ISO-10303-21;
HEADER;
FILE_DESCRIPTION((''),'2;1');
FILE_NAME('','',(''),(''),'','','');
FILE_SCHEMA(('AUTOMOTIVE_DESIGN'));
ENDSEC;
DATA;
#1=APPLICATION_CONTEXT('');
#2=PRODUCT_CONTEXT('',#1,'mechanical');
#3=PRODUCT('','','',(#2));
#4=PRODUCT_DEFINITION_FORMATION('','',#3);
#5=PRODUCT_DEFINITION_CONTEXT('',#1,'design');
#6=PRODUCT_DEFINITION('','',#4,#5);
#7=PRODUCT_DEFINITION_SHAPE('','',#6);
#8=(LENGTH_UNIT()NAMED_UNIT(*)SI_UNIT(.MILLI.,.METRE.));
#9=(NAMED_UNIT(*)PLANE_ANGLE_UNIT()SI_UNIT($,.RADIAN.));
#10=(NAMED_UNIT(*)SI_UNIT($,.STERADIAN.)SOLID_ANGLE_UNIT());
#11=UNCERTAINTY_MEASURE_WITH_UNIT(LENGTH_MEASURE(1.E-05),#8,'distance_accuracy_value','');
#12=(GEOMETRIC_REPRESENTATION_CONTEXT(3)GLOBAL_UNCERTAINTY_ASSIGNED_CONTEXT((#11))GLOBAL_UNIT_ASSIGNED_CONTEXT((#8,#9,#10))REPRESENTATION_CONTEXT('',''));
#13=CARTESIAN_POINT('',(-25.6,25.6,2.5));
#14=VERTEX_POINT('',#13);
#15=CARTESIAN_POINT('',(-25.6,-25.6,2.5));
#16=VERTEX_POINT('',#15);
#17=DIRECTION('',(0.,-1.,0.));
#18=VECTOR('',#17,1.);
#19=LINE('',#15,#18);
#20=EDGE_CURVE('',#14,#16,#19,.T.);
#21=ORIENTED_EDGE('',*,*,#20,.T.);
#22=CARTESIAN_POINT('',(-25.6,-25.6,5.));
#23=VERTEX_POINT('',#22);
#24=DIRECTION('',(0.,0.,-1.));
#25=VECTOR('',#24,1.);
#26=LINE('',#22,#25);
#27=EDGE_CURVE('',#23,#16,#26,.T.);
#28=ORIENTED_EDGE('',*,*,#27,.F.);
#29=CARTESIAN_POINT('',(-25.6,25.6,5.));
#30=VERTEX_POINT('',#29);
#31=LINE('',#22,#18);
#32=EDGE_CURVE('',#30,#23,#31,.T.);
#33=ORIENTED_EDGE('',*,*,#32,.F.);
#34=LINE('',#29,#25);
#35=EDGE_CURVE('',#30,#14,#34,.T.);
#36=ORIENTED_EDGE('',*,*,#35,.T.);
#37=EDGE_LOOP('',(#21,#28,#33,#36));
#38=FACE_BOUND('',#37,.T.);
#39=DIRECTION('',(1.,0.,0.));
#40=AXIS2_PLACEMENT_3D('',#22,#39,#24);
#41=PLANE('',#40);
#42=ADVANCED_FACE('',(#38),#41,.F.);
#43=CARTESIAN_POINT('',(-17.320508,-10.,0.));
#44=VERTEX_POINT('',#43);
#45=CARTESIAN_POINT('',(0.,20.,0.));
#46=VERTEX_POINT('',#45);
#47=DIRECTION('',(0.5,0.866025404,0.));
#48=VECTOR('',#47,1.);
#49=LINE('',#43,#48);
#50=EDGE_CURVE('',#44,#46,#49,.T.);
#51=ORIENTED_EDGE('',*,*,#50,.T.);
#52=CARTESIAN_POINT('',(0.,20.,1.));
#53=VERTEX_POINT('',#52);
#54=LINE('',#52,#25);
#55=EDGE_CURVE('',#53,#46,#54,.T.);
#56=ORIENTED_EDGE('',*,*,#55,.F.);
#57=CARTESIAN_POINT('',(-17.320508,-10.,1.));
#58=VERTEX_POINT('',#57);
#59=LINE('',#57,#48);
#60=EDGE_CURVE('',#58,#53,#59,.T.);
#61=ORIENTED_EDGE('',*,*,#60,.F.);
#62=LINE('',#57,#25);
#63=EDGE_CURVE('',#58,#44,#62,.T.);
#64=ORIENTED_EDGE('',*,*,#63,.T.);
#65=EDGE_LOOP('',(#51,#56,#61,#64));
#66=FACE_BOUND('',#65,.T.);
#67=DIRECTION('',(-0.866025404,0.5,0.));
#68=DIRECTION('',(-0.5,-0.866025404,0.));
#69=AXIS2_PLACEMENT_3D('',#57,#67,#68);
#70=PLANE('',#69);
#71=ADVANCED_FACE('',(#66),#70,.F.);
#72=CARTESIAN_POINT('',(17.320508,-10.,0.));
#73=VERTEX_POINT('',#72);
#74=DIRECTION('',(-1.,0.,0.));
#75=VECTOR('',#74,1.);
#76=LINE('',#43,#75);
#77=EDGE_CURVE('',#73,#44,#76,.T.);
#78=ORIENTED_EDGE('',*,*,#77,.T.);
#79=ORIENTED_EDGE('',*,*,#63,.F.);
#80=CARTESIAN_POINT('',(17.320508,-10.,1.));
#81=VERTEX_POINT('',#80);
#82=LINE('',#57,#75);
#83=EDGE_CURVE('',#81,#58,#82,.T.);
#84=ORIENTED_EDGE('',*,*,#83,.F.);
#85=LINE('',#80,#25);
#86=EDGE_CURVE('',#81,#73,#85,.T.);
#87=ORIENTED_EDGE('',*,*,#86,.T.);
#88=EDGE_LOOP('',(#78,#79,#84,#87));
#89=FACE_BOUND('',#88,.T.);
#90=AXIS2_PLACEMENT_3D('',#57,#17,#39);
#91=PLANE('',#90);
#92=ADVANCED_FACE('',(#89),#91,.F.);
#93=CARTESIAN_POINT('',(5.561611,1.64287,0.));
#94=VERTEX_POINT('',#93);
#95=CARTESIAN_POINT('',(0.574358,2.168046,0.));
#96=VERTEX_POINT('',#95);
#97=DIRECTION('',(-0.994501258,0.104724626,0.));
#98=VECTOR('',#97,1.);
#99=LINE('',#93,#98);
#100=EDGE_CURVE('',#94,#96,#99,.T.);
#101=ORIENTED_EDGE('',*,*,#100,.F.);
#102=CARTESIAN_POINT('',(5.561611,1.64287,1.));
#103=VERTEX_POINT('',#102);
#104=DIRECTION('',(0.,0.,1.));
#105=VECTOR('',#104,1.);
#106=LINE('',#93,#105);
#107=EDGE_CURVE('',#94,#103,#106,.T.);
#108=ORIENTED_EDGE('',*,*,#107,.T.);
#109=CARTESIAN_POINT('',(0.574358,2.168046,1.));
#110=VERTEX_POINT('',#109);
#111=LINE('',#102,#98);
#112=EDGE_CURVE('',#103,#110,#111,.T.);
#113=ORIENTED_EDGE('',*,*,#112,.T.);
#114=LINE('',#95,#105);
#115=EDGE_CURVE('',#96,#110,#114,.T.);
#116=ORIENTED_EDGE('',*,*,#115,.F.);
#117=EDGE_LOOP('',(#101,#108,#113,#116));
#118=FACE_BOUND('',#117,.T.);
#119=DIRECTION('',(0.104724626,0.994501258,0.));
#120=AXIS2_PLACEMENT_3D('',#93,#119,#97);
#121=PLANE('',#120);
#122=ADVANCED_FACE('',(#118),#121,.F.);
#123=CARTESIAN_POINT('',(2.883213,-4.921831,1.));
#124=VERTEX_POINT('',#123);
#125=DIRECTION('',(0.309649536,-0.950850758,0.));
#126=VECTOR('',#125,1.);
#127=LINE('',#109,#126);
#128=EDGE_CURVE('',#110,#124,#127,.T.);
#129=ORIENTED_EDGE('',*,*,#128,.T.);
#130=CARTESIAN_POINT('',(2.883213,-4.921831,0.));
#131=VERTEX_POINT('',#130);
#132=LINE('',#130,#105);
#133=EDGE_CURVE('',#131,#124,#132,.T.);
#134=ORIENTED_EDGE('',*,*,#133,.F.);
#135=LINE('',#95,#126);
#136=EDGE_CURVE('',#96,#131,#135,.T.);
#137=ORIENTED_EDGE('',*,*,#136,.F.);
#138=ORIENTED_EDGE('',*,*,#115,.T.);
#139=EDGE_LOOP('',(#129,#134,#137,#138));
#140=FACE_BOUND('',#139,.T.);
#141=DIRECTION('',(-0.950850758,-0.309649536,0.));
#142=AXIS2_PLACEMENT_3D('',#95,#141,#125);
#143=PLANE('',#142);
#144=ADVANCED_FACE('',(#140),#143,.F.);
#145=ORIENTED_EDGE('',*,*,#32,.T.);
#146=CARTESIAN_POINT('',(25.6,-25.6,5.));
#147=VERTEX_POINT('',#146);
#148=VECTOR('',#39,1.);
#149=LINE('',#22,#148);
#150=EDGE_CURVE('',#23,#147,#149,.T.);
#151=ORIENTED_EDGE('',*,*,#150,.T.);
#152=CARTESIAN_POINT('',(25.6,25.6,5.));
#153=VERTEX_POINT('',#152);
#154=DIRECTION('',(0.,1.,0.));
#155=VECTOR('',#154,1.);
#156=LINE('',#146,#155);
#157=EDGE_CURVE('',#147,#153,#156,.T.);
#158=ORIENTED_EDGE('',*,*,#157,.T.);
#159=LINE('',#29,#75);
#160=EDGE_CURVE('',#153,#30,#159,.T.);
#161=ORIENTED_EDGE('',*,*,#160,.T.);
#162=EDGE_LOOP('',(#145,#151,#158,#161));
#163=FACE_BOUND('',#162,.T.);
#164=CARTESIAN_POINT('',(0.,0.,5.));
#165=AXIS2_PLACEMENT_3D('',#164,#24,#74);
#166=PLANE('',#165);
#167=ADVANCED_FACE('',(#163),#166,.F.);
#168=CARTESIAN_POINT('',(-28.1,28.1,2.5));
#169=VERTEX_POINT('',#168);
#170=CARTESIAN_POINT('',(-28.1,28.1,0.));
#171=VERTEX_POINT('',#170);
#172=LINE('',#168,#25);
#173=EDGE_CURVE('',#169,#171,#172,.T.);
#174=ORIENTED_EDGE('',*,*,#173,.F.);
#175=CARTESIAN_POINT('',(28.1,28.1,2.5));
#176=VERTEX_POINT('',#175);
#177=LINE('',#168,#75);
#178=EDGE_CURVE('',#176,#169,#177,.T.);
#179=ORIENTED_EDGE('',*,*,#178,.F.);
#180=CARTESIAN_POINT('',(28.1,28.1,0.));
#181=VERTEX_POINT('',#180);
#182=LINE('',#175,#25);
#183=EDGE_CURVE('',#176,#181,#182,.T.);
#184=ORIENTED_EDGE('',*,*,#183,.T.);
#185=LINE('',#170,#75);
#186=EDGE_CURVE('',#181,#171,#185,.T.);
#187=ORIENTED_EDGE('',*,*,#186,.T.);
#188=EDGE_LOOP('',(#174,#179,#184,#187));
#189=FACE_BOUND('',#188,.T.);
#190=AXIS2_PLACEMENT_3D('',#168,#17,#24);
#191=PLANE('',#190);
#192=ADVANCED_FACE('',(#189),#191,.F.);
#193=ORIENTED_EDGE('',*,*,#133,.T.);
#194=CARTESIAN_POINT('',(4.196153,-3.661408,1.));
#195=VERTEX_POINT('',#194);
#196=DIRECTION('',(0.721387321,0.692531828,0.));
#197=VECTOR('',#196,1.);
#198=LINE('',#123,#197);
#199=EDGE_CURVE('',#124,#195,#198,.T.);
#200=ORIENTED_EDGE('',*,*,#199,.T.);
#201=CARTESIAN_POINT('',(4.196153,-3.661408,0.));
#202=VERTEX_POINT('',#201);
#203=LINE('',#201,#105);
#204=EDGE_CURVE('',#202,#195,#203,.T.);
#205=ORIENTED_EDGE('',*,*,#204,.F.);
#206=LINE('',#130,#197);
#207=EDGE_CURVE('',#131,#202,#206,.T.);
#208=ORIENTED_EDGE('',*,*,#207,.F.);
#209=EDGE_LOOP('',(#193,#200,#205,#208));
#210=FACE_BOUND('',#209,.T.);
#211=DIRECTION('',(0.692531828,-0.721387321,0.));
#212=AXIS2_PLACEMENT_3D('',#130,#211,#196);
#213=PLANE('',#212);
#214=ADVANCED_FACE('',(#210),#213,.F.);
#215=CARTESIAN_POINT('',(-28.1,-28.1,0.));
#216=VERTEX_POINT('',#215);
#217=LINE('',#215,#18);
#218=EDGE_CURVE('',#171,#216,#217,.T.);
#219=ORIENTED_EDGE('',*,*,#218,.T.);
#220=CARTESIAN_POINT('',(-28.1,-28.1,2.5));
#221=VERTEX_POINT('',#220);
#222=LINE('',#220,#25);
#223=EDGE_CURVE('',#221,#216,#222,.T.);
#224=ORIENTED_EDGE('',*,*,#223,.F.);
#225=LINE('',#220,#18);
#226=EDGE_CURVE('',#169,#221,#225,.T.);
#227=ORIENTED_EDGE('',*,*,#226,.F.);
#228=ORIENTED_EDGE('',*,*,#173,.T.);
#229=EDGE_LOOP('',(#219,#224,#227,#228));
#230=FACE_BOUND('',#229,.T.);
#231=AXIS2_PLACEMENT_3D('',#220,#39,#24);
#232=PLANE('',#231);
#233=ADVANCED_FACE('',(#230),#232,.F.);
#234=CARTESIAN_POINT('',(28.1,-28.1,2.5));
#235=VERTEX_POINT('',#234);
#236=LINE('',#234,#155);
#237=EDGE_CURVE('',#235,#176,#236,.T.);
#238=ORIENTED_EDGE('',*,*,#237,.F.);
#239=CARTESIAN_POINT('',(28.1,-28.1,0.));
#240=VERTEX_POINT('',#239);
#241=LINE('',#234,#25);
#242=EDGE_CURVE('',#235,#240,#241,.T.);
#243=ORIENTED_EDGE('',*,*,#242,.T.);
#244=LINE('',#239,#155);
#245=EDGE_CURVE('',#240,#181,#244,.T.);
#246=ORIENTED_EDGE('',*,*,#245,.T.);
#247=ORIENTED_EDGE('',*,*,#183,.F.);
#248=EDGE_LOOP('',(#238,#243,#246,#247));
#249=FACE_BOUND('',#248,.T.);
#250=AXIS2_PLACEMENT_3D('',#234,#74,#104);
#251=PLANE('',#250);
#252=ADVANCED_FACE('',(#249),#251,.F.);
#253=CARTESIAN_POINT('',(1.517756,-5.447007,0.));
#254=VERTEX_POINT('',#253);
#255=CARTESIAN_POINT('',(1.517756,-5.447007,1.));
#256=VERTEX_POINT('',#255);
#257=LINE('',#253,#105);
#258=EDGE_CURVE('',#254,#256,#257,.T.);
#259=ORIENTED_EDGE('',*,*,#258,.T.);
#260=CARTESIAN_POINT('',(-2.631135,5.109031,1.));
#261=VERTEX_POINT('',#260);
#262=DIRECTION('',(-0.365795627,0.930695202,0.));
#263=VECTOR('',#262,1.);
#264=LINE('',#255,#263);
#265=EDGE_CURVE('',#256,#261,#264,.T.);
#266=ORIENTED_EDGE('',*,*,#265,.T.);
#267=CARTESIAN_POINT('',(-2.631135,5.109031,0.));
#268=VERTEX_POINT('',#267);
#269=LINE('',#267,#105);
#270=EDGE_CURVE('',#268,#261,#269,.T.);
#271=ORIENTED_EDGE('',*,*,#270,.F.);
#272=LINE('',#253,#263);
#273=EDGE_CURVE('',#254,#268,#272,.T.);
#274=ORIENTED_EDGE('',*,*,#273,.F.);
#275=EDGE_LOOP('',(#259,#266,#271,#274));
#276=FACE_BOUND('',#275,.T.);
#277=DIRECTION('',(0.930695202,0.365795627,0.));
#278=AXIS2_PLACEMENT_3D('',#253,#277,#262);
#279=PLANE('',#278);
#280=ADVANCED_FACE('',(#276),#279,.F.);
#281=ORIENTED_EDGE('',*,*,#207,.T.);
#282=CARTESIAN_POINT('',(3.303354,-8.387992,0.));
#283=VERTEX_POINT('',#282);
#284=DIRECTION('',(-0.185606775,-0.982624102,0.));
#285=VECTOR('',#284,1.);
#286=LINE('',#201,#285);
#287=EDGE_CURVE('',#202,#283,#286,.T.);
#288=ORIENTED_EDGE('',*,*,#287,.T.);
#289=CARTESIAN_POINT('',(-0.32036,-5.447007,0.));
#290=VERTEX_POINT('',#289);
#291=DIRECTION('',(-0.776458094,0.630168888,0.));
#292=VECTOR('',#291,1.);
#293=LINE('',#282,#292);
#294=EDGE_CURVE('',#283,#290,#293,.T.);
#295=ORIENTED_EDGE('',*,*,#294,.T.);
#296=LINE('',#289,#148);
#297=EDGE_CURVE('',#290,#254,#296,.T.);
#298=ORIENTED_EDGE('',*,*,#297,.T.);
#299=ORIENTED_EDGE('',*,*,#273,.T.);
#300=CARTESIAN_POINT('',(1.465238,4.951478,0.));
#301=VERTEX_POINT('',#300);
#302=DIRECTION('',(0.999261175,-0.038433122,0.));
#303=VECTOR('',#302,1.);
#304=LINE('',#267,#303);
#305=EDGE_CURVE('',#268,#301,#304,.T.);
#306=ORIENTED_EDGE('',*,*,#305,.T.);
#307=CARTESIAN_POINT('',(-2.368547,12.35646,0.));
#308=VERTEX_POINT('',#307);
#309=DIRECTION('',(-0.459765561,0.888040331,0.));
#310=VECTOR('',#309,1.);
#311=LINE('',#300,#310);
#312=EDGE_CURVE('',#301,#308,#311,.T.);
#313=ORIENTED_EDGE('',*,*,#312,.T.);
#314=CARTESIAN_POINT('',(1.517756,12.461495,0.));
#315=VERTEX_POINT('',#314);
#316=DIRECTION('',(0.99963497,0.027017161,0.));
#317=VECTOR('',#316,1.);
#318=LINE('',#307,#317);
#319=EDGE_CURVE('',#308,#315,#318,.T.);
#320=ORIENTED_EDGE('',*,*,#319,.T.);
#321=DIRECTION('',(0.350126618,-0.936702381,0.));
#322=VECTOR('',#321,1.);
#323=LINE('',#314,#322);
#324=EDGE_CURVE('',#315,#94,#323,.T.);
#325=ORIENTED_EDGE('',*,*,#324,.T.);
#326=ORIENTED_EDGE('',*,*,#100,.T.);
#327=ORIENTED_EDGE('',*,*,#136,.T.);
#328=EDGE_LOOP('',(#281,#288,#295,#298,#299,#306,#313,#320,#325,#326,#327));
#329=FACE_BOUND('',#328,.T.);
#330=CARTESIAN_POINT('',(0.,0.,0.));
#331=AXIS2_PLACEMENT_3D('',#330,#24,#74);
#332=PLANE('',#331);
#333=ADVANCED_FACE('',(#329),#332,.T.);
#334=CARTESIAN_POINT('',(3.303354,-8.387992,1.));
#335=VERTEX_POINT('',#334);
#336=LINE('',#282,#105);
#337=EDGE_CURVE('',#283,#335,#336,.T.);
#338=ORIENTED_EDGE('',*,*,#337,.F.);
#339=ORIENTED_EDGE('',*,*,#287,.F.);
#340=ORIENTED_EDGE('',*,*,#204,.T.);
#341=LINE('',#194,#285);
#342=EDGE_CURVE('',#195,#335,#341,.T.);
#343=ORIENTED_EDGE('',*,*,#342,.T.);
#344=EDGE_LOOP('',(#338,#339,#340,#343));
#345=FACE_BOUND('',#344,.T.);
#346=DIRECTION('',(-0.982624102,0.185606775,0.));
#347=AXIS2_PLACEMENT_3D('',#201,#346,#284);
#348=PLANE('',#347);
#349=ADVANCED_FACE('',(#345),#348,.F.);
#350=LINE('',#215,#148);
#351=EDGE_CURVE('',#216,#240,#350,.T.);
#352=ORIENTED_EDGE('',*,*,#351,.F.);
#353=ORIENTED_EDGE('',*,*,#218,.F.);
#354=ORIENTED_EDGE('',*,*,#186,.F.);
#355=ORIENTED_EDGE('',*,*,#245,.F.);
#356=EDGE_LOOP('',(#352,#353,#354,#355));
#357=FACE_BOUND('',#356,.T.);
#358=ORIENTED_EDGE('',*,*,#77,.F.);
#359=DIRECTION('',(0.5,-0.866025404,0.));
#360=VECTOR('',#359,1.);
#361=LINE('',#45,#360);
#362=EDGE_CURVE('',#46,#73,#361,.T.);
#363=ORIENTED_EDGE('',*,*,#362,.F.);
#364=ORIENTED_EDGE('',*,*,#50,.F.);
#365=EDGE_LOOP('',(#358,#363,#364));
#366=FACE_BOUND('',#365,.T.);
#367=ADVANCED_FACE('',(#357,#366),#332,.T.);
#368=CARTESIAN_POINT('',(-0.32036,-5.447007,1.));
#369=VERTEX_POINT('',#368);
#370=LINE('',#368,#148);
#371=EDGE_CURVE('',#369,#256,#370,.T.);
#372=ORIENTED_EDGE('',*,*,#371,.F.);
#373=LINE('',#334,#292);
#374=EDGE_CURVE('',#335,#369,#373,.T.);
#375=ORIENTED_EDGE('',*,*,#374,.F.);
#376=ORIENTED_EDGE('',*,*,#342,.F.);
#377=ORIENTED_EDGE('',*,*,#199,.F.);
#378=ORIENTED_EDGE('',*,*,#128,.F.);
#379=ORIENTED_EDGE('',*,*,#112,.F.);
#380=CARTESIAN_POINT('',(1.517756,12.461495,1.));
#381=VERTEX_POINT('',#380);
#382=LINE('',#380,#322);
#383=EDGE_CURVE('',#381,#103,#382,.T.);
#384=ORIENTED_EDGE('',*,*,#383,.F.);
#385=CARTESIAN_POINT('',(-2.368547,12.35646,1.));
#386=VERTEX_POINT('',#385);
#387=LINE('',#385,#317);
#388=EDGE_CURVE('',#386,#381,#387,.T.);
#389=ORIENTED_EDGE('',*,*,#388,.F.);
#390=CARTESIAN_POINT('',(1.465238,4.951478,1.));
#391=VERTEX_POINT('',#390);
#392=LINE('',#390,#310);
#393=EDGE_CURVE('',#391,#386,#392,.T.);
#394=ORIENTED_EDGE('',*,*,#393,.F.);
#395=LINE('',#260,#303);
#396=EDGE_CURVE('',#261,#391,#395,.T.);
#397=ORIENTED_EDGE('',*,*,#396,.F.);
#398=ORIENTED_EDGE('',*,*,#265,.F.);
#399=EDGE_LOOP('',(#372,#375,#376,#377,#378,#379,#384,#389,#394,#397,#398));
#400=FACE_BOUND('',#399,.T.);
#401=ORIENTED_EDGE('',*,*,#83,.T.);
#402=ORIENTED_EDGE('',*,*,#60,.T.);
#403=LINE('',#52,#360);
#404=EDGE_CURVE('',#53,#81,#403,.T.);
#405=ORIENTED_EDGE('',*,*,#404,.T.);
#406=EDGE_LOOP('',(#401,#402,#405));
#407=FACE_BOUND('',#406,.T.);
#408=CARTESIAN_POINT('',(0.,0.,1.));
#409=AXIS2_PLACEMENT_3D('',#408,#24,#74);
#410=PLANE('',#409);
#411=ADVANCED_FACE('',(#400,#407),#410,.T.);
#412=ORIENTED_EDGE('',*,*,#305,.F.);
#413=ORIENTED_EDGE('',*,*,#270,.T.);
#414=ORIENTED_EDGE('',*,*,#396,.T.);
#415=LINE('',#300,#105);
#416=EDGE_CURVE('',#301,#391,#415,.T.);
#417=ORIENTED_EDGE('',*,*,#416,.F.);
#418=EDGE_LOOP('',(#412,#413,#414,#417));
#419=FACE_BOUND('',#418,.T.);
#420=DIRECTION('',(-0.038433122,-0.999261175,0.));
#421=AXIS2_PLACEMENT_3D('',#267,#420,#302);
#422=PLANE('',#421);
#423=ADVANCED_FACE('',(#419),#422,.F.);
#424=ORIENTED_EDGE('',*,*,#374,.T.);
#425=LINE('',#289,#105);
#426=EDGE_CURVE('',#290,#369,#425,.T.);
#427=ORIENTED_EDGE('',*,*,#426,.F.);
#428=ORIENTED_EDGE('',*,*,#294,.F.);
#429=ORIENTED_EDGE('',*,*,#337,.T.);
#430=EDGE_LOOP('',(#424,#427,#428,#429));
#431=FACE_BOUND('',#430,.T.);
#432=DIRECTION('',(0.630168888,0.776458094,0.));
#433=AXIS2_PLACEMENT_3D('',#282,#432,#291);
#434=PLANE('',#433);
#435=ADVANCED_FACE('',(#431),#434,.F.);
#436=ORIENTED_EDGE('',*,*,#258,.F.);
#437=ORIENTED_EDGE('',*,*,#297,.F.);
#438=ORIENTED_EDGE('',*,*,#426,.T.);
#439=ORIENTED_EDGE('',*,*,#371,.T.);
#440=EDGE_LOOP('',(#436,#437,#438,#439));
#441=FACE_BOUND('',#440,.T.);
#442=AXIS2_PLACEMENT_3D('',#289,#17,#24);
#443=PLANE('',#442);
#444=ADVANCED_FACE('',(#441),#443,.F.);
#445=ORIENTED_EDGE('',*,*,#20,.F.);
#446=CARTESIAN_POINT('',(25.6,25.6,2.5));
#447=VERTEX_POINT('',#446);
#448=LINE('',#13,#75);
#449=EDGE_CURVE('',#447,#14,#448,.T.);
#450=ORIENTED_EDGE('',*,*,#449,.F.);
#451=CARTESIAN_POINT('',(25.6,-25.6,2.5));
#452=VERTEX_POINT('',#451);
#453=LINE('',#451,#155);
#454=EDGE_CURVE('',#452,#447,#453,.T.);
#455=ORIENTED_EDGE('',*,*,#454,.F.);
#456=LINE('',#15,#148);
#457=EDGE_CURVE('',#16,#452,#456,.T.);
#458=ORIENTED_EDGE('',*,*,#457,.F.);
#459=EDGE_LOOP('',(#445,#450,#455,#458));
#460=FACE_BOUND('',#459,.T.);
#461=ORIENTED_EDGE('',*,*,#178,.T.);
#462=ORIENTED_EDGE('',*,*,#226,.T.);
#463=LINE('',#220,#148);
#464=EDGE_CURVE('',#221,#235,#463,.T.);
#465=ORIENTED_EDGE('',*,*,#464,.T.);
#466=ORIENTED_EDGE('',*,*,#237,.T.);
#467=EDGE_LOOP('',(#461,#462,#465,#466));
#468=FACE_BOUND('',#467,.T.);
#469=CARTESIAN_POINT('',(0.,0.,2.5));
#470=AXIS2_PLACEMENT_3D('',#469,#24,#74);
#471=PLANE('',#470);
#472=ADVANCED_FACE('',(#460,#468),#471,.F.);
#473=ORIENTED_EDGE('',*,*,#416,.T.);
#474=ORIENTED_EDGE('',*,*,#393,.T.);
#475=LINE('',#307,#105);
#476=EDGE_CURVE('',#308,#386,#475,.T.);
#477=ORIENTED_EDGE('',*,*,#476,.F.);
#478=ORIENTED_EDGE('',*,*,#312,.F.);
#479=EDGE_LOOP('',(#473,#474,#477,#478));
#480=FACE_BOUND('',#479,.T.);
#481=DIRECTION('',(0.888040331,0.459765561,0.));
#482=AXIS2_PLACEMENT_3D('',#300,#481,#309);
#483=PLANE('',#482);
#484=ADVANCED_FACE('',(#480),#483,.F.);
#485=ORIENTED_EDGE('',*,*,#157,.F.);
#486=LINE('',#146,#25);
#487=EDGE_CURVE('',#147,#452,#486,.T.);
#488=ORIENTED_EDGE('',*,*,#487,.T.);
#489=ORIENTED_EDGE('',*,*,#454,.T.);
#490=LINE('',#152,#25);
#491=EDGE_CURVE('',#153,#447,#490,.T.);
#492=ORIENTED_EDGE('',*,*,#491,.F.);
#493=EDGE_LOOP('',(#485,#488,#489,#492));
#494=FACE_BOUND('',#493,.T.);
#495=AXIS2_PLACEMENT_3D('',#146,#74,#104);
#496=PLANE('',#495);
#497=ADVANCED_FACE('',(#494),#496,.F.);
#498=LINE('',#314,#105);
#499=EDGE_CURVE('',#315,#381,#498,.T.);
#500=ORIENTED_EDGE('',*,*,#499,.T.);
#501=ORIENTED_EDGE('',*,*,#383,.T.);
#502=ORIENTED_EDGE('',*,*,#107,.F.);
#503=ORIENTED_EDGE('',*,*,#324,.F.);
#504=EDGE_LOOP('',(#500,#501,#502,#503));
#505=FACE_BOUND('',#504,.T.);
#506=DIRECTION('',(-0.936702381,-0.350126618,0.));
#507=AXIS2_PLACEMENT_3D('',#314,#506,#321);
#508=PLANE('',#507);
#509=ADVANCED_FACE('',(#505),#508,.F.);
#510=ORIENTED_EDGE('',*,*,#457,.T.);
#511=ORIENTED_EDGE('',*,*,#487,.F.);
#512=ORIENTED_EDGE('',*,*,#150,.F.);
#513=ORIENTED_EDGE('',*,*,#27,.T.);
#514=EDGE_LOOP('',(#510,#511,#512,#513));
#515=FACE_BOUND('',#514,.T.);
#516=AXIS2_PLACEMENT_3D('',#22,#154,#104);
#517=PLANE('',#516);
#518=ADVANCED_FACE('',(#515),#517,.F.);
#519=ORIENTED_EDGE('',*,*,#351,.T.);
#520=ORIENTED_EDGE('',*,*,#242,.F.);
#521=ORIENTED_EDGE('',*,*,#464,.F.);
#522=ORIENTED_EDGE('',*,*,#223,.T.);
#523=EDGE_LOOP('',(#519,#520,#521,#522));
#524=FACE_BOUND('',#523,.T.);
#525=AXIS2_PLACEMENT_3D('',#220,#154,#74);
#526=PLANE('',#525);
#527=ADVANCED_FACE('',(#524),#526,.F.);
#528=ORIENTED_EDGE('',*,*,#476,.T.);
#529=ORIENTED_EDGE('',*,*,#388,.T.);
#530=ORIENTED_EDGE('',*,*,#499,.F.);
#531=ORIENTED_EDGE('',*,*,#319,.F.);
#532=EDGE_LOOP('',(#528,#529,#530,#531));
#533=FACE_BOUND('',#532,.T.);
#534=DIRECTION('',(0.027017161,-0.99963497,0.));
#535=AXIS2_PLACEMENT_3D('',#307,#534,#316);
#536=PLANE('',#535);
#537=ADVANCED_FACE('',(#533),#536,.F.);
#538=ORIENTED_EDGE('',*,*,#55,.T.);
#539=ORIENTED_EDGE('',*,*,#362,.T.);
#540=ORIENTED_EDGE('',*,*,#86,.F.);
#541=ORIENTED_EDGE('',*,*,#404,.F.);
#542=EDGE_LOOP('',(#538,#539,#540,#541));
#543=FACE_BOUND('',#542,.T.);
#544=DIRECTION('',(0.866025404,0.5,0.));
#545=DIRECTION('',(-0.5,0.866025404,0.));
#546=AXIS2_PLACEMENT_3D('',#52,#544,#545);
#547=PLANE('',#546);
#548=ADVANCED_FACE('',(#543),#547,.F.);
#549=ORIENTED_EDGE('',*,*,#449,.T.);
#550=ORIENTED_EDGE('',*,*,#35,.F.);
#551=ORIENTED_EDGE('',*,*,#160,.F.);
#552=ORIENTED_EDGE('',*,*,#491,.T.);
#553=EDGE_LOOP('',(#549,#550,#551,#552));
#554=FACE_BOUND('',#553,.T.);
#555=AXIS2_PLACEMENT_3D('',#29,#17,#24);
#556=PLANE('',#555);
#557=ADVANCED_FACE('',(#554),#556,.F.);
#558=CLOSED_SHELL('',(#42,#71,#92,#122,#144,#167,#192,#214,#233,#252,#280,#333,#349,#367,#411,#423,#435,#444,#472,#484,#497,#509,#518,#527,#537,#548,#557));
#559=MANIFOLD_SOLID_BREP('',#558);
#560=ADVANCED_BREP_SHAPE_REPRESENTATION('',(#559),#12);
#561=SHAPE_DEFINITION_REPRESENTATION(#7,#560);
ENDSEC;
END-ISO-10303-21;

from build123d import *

# Parameters (mm, degrees)
SKETCH2_W           = 56.2
SKETCH2_H           = 56.2
BOSS_EXTRUDE1_DEPTH = 2.5
SKETCH3_W           = 51.2
SKETCH3_H           = 51.2
BOSS_EXTRUDE2_DEPTH = 2.5
CUT_EXTRUDE1_DEPTH  = 1
BOSS_EXTRUDE3_DEPTH = 1


with BuildPart() as part:
    # Sketch2 → Boss-Extrude1 (new body)
    with BuildSketch(Plane.XY):
        Rectangle(SKETCH2_W, SKETCH2_H)
    extrude(amount=BOSS_EXTRUDE1_DEPTH)

    # Sketch3 → Boss-Extrude2 (add)
    with BuildSketch(Plane.XY.offset(2.5)):
        Rectangle(SKETCH3_W, SKETCH3_H)
    extrude(amount=BOSS_EXTRUDE2_DEPTH)

    # Sketch4 → Cut-Extrude1 (cut)
    with BuildSketch(Plane(origin=(0, 0, 0), x_dir=(-1, 0, 0), z_dir=(0, 0, -1))):
        Polygon((0, 20), (-17.320508076, -10), (17.320508076, -10), align=None)
    extrude(amount=-CUT_EXTRUDE1_DEPTH, mode=Mode.SUBTRACT)

    # Sketch5 → Boss-Extrude3 (add)
    with BuildSketch(Plane(origin=(0, 0, 1), x_dir=(-1, 0, 0), z_dir=(0, 0, -1))):
        Polygon((-1.517755642, 12.461495331), (-5.561610901, 1.642869574), (-0.574357926, 2.168045581), (-2.883213262, -4.921830522), (-4.196153281, -3.661408103), (-3.303354068, -8.387992172), (0.320360384, -5.447006529), (-1.517755642, -5.447006529), (2.631134818, 5.109031224), (-1.465238042, 4.951478422), (2.368546814, 12.356460129), align=None)
    extrude(amount=BOSS_EXTRUDE3_DEPTH)


solid = part.part
